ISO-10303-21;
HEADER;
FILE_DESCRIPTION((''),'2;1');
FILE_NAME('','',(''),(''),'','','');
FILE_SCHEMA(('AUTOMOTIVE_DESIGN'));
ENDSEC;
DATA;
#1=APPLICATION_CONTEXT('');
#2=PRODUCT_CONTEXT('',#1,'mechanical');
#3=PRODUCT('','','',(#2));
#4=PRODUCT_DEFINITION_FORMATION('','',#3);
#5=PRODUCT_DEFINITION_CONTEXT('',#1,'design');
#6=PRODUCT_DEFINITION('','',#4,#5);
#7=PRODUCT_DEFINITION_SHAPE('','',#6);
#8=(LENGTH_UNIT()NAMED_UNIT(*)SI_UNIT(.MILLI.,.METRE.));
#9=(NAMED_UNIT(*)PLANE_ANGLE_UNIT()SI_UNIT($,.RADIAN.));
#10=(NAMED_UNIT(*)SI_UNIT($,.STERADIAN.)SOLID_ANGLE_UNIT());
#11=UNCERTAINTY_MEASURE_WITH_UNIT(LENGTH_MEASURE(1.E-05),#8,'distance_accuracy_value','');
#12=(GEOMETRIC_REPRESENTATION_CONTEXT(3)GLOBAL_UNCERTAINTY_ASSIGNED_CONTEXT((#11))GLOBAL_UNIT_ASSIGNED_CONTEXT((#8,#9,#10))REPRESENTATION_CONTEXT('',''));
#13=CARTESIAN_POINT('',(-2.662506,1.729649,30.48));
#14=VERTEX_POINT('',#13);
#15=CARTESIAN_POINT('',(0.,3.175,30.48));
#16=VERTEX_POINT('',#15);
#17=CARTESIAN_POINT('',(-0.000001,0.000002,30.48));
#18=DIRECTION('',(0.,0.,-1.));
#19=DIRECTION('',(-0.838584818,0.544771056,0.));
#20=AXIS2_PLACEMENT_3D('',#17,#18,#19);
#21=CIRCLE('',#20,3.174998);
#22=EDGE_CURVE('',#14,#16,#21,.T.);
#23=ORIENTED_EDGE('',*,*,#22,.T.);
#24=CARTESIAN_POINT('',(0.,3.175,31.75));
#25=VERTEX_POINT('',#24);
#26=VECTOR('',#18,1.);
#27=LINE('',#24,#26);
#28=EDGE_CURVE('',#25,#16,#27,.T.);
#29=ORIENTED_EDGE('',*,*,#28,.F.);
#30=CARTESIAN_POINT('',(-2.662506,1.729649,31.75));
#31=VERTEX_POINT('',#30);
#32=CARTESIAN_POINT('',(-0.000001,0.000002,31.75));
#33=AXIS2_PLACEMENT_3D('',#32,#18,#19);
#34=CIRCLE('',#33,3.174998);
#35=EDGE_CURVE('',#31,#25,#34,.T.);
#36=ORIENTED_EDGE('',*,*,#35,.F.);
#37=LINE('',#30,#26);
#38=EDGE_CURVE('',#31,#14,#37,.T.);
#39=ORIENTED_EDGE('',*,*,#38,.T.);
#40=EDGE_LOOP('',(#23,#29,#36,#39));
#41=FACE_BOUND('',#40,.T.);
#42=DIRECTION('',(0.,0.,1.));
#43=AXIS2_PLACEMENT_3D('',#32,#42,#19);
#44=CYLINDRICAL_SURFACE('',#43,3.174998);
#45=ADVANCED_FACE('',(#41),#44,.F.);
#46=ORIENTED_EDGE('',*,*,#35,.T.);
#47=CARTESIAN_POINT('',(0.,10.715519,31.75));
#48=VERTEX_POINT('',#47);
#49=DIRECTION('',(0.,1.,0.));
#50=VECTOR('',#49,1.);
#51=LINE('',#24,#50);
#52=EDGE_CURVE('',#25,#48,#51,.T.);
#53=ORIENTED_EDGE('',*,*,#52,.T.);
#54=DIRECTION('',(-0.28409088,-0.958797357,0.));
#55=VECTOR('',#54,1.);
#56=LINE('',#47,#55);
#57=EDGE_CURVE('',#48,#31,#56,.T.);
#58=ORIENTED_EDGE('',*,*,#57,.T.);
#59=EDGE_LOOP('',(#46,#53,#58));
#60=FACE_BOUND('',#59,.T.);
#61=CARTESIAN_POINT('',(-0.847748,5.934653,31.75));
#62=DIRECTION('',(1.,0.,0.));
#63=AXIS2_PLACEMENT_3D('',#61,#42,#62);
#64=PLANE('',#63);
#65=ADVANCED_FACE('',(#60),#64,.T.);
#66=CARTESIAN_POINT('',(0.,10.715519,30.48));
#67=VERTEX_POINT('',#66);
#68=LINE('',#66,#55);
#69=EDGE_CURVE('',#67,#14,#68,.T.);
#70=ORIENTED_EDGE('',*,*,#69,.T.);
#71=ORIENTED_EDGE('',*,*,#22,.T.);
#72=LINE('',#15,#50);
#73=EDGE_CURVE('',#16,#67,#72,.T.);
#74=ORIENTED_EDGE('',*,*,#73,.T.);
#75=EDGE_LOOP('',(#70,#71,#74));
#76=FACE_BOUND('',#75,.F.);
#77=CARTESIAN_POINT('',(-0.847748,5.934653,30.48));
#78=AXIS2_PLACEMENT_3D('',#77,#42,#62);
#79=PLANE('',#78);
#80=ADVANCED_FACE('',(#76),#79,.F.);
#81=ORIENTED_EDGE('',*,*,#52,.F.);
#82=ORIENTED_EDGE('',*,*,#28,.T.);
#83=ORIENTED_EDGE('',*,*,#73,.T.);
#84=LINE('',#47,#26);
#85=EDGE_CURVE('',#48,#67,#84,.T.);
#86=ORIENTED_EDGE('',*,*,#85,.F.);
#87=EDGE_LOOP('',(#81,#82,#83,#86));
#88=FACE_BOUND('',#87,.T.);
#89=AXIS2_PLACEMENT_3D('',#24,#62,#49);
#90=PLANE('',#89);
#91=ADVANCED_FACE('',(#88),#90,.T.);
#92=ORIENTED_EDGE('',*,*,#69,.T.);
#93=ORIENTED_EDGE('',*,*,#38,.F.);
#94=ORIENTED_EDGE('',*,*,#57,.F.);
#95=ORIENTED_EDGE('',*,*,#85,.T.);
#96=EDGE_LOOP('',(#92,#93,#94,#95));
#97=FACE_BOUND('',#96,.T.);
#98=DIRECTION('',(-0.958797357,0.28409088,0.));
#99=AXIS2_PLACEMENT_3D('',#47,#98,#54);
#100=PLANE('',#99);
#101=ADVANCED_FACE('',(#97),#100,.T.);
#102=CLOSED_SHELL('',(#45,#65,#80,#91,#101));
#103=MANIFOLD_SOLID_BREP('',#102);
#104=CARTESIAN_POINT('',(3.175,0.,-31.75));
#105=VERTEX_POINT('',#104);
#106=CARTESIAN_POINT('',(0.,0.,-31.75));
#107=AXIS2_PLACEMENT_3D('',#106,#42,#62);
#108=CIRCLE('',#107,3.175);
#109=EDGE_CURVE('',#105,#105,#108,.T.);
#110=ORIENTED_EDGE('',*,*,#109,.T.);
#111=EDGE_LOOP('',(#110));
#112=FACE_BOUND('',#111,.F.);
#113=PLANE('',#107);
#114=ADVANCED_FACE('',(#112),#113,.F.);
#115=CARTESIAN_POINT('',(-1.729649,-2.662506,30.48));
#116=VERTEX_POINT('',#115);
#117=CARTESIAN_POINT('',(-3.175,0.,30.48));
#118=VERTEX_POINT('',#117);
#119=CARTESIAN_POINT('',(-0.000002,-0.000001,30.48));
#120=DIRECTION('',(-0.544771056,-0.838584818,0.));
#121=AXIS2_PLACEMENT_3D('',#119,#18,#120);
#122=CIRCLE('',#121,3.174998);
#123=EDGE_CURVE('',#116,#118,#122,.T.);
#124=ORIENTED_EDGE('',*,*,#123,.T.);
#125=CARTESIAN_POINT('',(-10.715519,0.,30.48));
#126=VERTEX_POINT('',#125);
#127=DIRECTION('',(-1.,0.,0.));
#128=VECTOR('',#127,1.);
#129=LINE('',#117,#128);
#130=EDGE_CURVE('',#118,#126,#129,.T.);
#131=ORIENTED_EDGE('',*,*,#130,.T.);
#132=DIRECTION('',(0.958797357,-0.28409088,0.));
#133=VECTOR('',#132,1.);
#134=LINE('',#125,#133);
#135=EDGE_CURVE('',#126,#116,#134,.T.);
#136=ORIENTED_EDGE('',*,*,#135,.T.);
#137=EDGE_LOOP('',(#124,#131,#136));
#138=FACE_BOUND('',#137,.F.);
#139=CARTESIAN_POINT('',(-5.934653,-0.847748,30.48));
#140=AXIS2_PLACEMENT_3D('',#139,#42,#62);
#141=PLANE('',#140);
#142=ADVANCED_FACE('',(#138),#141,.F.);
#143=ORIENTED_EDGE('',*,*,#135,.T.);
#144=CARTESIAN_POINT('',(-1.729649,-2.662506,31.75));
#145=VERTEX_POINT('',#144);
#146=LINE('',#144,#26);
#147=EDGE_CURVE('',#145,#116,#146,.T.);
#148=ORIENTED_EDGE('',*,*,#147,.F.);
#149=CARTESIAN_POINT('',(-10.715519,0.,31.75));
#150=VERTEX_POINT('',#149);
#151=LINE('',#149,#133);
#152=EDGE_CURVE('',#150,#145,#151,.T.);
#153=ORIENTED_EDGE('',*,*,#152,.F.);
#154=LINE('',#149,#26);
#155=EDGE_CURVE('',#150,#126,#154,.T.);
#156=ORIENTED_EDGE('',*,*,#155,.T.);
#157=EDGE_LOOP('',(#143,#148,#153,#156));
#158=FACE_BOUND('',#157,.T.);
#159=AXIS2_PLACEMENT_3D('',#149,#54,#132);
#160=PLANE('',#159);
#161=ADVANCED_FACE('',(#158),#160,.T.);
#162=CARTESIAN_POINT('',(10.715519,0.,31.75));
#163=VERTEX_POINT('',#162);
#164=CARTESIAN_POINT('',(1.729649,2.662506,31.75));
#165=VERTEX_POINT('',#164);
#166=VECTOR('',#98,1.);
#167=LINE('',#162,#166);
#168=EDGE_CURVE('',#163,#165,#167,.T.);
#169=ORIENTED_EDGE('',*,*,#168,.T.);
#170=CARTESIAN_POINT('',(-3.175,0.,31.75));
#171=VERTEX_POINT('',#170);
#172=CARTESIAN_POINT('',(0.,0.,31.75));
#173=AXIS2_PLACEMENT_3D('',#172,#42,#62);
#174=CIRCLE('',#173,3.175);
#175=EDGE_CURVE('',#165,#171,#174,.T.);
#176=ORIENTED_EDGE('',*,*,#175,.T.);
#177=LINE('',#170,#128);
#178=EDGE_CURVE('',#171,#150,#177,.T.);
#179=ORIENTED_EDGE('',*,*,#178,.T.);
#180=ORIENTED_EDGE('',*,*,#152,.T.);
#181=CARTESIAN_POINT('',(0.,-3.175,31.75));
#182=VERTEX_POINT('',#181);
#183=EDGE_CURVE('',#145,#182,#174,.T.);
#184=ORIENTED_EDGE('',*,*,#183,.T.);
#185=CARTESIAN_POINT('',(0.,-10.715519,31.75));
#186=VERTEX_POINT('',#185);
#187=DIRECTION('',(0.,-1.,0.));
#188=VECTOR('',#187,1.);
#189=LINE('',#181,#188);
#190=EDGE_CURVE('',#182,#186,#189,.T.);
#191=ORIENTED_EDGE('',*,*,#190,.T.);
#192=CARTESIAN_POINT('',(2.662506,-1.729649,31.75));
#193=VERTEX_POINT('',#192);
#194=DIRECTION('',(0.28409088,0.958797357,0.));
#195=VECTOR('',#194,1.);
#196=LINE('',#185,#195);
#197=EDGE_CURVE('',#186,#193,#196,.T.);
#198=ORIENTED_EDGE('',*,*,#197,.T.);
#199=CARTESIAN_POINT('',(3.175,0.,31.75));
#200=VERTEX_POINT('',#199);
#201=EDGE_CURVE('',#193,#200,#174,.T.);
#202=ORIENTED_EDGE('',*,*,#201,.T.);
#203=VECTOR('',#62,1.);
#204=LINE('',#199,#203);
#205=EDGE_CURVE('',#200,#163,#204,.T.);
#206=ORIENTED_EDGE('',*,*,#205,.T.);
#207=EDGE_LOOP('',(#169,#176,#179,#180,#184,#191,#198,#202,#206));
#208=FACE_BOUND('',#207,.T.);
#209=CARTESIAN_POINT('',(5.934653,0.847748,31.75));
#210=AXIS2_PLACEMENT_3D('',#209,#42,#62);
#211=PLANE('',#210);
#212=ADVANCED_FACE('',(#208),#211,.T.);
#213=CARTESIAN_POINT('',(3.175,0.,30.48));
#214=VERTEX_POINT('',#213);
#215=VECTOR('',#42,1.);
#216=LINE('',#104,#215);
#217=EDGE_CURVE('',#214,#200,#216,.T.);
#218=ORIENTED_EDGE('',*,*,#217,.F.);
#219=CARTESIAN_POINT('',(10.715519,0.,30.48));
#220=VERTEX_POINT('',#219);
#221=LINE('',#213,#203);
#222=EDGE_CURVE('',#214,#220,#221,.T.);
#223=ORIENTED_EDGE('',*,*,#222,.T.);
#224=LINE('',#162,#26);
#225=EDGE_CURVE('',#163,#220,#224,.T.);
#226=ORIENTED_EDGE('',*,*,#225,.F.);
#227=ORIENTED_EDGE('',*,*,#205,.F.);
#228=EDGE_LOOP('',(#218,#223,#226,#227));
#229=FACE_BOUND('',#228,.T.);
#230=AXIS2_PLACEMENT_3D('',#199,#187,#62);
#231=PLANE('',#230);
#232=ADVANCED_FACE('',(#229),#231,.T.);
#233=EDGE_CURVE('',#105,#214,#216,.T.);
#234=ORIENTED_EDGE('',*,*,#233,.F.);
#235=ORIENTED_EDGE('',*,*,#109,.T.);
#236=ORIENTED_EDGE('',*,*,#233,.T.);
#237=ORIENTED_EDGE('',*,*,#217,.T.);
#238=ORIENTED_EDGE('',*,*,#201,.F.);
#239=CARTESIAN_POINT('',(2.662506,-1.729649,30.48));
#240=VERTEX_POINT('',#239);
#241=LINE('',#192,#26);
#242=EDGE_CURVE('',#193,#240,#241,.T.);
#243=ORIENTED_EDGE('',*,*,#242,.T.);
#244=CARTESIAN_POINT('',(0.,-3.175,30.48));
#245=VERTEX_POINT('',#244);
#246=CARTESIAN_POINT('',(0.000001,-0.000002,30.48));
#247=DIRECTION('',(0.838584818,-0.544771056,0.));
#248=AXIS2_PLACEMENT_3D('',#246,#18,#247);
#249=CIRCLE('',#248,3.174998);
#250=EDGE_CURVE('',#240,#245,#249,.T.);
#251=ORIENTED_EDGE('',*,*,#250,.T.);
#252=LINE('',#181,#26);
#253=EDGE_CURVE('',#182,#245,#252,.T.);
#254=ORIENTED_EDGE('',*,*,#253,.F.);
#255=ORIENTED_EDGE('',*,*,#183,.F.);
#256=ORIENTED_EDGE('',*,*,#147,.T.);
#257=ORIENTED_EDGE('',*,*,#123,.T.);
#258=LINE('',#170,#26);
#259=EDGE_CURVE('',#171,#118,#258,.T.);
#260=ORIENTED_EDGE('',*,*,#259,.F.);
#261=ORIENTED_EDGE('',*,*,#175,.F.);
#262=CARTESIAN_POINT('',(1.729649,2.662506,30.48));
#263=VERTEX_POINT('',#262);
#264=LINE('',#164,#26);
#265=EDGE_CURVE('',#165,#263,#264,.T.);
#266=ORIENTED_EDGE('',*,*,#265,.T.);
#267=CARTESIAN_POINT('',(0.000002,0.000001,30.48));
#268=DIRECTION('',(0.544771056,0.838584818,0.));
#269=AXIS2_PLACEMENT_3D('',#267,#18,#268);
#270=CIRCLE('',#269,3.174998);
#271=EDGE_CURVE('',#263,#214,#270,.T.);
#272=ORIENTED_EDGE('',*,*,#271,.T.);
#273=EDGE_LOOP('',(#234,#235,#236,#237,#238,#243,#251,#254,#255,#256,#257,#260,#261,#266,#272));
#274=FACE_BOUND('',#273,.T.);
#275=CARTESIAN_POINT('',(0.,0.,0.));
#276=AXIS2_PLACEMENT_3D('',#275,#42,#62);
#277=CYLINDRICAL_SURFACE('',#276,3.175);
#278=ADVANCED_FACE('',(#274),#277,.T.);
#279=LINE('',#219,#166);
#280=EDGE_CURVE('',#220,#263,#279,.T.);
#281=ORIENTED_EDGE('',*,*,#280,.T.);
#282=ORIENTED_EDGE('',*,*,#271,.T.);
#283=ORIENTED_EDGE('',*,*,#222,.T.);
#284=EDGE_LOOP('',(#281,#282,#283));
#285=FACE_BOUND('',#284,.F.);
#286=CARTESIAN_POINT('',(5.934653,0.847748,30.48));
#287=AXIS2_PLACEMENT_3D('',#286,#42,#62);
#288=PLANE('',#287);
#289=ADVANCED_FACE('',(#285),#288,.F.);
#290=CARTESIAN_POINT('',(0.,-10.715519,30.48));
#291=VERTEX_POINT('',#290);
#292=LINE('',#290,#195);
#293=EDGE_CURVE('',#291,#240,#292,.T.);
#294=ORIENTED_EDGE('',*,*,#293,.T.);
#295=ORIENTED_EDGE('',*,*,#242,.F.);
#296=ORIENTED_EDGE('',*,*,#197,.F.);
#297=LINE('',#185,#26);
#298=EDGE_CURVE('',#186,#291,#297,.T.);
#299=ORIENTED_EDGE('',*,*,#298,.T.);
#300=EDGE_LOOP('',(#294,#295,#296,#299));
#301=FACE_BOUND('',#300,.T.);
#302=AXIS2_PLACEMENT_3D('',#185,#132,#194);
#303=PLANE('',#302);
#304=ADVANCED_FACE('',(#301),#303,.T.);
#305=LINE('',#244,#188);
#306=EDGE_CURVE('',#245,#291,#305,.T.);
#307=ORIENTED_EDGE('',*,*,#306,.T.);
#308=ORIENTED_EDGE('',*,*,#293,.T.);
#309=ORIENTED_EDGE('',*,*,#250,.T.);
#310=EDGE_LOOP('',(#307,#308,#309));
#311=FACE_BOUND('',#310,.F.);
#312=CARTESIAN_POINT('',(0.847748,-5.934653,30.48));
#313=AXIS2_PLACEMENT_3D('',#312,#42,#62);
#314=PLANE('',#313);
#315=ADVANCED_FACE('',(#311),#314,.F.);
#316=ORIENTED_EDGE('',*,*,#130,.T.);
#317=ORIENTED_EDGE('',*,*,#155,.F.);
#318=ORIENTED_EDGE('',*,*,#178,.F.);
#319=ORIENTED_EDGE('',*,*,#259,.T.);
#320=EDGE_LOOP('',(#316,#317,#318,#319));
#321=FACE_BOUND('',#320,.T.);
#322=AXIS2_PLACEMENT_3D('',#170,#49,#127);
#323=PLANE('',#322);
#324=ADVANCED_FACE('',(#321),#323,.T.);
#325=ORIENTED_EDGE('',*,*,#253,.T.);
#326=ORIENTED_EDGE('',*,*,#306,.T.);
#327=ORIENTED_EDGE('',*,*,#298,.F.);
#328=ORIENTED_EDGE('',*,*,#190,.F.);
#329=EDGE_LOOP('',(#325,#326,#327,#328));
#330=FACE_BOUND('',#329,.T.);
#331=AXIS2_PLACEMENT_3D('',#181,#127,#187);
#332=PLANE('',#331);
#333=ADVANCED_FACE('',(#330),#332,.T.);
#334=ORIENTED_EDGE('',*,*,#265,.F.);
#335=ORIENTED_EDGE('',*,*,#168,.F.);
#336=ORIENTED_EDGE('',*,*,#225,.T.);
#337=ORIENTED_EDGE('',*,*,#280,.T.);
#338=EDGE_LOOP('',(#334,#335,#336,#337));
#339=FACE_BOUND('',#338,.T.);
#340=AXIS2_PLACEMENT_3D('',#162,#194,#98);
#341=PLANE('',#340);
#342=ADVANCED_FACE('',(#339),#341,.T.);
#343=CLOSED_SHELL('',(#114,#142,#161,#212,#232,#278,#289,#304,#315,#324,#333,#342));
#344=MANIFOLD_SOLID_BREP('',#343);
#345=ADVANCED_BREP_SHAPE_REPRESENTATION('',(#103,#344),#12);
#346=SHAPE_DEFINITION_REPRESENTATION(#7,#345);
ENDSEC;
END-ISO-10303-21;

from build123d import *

# Parameters (mm, degrees)
F0_R          = 3.175
F1_DEPTH      = 31.75
F1_DEPTH_BACK = 31.75
F3_DEPTH      = 1.27
F4_DEPTH      = 1.27
F5_DEPTH      = 1.27
F6_DEPTH      = 1.27


with BuildPart() as f1:
    # F0 (on Top) → F1 (new body, two sides)
    with BuildSketch(Plane.XY) as f1_sk:
        Circle(F0_R)
    extrude(amount=F1_DEPTH)
    extrude(f1_sk.sketch, amount=-F1_DEPTH_BACK)

    # F2 (on face) → F4 (join)
    with BuildSketch(Plane.XY.offset(31.75)):
        with BuildLine():
            ThreePointArc((-1.729649, -2.662506), (-2.790364, -1.514759), (-3.175, 0))
            Line((-3.175, 0), (-10.715519, 0))
            Line((-10.715519, 0), (-1.729649, -2.662506))
        make_face()
    extrude(amount=-F4_DEPTH)

    # F2 (on face) → F5 (join)
    with BuildSketch(Plane.XY.offset(31.75)):
        with BuildLine():
            ThreePointArc((2.662506, -1.729649), (1.514759, -2.790364), (0, -3.175))
            Line((0, -3.175), (0, -10.715519))
            Line((0, -10.715519), (2.662506, -1.729649))
        make_face()
    extrude(amount=-F5_DEPTH)

    # F2 (on face) → F6 (join)
    with BuildSketch(Plane.XY.offset(31.75)):
        with BuildLine():
            Line((10.715519, 0), (1.729649, 2.662506))
            ThreePointArc((1.729649, 2.662506), (2.790364, 1.514759), (3.175, 0))
            Line((3.175, 0), (10.715519, 0))
        make_face()
    extrude(amount=-F6_DEPTH)


with BuildPart() as f3:
    # F2 (on face) → F3 (new body)
    with BuildSketch(Plane.XY.offset(31.75)):
        with BuildLine():
            Line((0, 10.715519), (-2.662506, 1.729649))
            ThreePointArc((-2.662506, 1.729649), (-1.514759, 2.790364), (0, 3.175))
            Line((0, 3.175), (0, 10.715519))
        make_face()
    extrude(amount=-F3_DEPTH)


solid = Compound([f1.part, f3.part])
